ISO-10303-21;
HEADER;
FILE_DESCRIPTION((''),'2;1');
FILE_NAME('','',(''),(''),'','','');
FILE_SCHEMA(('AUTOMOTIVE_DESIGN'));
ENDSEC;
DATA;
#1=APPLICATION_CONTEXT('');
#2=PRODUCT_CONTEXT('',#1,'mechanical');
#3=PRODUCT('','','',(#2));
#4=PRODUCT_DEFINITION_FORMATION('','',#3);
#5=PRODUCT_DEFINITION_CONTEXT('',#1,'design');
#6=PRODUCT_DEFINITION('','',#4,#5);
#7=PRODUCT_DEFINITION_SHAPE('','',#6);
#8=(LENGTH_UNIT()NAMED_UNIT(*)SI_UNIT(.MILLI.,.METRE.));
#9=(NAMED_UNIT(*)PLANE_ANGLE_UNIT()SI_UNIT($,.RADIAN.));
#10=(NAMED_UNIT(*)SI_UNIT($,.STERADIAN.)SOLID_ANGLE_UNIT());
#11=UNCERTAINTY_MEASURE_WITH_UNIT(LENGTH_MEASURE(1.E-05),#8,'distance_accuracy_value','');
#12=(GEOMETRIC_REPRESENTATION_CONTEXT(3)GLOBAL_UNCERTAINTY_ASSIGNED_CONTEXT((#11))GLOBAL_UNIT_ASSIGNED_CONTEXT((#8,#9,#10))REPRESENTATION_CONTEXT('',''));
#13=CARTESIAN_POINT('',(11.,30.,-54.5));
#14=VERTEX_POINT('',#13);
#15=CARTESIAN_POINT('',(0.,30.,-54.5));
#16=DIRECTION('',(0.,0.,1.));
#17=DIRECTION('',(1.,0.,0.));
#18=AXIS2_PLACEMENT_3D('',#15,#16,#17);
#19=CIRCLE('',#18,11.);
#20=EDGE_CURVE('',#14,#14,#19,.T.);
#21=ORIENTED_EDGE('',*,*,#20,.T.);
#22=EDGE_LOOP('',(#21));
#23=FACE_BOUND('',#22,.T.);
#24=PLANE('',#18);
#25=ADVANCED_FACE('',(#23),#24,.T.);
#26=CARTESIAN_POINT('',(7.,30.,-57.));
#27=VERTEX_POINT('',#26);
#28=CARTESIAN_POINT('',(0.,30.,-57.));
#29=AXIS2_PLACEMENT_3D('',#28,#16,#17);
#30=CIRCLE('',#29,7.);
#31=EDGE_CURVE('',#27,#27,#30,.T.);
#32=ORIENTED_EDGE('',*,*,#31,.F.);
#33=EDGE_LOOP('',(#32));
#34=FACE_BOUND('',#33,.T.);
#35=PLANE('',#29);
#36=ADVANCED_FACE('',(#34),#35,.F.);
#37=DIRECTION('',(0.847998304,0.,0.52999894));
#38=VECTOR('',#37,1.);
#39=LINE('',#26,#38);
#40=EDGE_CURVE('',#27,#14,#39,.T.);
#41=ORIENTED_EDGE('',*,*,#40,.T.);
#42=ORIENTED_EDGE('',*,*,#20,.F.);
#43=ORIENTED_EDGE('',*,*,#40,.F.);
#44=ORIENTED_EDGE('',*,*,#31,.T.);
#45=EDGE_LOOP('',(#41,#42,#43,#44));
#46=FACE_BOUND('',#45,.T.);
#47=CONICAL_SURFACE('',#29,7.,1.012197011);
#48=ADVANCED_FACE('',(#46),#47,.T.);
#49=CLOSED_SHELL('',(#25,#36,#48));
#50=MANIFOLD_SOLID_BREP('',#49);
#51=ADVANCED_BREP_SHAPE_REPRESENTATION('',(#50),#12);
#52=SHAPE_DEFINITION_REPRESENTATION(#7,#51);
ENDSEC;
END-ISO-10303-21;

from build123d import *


with BuildPart() as cone_ul:
    # Cone → Cone (revolve)
    with BuildSketch(Plane(origin=(0, -30, 57), x_dir=(1, 0, 0), z_dir=(0, 1, 0))):
        Polygon((0, 0), (7, 0), (11, 2.5), (0, 2.5), align=None)
    revolve(axis=Axis((0, -30, 57), (0, 0, -1)))


with BuildPart() as cone_ur:
    # Part__Mirroring001: instance of Cone_UL
    add(cone_ul.part.mirror(Plane(origin=(0, 0, 0), x_dir=(1, 0, 0), z_dir=(0, 1, 0))))


with BuildPart() as cone_lr:
    # Part__Mirroring005: instance of Cone_UR
    add(cone_ur.part.mirror(Plane(origin=(0, 0, 0), x_dir=(0, 1, 0), z_dir=(0, 0, 1))))


solid = cone_lr.part
